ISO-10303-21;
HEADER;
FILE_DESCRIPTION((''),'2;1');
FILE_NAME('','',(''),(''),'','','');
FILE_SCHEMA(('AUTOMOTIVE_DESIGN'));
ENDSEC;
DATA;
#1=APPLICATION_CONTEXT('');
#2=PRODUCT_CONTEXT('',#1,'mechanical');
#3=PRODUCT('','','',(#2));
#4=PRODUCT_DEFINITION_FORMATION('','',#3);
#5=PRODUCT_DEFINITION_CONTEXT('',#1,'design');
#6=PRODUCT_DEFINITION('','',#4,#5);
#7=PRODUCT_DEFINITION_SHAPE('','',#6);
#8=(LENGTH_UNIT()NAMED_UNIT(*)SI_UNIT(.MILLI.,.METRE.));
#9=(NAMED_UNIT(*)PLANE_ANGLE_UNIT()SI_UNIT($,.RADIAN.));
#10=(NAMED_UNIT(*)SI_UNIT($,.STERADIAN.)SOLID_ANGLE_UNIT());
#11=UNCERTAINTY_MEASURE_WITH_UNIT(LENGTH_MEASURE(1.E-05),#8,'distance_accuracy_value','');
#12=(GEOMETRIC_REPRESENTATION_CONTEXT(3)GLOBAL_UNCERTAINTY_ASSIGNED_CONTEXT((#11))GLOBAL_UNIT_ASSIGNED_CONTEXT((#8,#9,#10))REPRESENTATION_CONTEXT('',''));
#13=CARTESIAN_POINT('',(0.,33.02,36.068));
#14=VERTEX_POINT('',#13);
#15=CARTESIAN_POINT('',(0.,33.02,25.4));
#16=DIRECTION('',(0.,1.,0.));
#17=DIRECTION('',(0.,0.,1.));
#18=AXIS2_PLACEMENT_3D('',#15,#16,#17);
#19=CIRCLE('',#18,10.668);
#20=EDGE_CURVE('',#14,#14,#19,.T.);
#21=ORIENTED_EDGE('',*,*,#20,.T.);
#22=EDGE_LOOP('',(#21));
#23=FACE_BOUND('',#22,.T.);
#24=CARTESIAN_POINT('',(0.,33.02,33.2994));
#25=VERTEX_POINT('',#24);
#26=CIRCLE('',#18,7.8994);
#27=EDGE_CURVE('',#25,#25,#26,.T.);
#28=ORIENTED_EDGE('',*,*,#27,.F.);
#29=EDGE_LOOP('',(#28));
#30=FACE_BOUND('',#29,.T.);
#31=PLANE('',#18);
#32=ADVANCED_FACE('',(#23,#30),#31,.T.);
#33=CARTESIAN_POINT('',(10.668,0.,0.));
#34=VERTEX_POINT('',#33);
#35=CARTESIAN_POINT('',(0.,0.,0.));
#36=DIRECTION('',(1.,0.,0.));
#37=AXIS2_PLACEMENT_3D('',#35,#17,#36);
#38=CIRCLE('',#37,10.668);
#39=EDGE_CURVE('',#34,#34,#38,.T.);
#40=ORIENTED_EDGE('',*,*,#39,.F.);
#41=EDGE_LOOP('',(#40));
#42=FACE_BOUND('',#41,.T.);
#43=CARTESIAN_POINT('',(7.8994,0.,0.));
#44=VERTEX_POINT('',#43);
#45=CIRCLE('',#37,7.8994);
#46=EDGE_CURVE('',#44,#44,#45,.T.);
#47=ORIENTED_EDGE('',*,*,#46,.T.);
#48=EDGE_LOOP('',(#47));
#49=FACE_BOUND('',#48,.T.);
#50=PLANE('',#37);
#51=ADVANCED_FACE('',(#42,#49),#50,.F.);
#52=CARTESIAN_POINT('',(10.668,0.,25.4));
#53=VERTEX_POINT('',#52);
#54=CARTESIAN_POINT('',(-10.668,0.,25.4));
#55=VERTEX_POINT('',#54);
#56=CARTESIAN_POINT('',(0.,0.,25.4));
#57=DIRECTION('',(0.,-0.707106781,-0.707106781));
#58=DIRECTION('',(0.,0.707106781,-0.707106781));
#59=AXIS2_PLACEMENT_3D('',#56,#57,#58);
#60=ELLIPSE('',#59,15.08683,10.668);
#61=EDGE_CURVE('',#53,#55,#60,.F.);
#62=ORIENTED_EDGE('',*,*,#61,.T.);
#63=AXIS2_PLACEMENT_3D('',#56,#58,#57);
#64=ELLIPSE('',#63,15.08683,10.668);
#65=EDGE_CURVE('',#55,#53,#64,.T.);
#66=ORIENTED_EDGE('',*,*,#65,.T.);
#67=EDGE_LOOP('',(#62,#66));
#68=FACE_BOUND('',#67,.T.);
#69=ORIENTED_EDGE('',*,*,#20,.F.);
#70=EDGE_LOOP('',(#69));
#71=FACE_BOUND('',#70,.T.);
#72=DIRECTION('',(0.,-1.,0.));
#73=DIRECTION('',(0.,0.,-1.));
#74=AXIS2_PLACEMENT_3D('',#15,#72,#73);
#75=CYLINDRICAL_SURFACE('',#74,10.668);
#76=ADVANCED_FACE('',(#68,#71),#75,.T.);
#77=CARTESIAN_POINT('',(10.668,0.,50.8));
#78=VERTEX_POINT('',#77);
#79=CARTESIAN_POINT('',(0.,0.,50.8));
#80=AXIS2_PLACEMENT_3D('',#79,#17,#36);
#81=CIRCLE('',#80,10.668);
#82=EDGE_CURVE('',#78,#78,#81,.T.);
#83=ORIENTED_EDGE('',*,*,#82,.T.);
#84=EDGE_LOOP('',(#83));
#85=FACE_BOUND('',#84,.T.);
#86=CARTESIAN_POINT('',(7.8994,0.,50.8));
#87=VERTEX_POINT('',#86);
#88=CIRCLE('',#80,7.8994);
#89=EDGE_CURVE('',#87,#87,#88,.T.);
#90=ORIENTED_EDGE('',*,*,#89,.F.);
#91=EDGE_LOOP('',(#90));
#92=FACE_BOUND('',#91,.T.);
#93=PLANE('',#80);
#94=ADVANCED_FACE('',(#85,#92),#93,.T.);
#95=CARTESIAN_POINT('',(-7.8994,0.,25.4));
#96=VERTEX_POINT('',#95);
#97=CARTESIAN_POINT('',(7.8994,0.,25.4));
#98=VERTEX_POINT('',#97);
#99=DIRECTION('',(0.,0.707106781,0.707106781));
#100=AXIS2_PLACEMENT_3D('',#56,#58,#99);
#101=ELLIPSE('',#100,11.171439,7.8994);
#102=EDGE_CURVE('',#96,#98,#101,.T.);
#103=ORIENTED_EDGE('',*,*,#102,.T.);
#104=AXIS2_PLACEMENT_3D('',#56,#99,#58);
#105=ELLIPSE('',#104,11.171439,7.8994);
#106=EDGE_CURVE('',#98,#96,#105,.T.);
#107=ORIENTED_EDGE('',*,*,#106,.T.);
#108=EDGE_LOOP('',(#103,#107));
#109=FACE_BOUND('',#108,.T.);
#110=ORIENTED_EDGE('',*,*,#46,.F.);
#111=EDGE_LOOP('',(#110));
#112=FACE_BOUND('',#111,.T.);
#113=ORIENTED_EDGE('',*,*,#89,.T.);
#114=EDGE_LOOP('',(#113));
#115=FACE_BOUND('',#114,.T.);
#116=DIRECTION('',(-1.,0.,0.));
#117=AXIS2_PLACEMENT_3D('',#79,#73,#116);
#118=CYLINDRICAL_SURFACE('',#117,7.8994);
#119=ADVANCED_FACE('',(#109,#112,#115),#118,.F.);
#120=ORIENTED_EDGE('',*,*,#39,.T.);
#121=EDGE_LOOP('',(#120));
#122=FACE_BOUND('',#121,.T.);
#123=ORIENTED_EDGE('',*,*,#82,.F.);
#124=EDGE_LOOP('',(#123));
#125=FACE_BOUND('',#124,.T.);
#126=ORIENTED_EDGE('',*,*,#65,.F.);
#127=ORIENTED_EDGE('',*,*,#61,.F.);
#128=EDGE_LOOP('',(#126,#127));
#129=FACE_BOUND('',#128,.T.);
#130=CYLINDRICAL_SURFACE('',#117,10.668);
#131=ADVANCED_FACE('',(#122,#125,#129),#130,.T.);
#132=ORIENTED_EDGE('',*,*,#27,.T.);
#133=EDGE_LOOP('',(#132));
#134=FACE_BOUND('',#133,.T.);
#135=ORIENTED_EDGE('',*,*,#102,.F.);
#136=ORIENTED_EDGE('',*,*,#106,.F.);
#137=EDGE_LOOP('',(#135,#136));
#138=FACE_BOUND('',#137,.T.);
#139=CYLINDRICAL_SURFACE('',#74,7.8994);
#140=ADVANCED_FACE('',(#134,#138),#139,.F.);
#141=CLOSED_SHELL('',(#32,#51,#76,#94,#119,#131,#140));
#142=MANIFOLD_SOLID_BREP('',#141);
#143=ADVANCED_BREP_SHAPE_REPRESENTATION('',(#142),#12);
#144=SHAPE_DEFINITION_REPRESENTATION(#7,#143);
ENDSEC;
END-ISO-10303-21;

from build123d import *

# Parameters (mm, degrees)
SKETCH1_R           = 10.668
SKETCH1_R_2         = 7.8994
BOSS_EXTRUDE1_DEPTH = 50.8
SKETCH2_R           = 10.668
SKETCH2_R_2         = 7.8994
BOSS_EXTRUDE2_DEPTH = 33.02
SKETCH3_R           = 7.8994
CUT_EXTRUDE1_DEPTH  = 51.8000001
CUT_EXTRUDE2_REACH  = 45.688
SKETCH4_R           = 7.8994


with BuildPart() as part:
    # Sketch1 → Boss-Extrude1 (new body)
    with BuildSketch(Plane.XY):
        Circle(SKETCH1_R)
        Circle(SKETCH1_R_2, mode=Mode.SUBTRACT)
    extrude(amount=BOSS_EXTRUDE1_DEPTH)

    # Sketch2 → Boss-Extrude2 (add)
    with BuildSketch(Plane(origin=(0, 0, 0), x_dir=(1, 0, 0), z_dir=(0, 1, 0))):
        with Locations((0, -25.4)):
            Circle(SKETCH2_R)
        with Locations((0, -25.4)):
            Circle(SKETCH2_R_2, mode=Mode.SUBTRACT)
    extrude(amount=BOSS_EXTRUDE2_DEPTH)

    # Sketch3 → Cut-Extrude1 (cut, through all)
    with BuildSketch(Plane.XY.offset(50.8)):
        Circle(SKETCH3_R)
    extrude(amount=-CUT_EXTRUDE1_DEPTH, mode=Mode.SUBTRACT)

    # Sketch4 → Cut-Extrude2 (cut, up to next)
    with BuildSketch(Plane(origin=(0, 33.02, 0), x_dir=(1, 0, 0), z_dir=(0, 1, 0)), mode=Mode.PRIVATE) as cut_extrude2_sk1:
        with Locations((0, -25.4)):
            Circle(SKETCH4_R)
    cut_extrude2_tool1 = extrude(cut_extrude2_sk1.sketch, amount=-CUT_EXTRUDE2_REACH, mode=Mode.PRIVATE) & part.part
    add(cut_extrude2_tool1.solids().sort_by_distance((0, 33.02, 25.4))[0], mode=Mode.SUBTRACT)


solid = part.part
